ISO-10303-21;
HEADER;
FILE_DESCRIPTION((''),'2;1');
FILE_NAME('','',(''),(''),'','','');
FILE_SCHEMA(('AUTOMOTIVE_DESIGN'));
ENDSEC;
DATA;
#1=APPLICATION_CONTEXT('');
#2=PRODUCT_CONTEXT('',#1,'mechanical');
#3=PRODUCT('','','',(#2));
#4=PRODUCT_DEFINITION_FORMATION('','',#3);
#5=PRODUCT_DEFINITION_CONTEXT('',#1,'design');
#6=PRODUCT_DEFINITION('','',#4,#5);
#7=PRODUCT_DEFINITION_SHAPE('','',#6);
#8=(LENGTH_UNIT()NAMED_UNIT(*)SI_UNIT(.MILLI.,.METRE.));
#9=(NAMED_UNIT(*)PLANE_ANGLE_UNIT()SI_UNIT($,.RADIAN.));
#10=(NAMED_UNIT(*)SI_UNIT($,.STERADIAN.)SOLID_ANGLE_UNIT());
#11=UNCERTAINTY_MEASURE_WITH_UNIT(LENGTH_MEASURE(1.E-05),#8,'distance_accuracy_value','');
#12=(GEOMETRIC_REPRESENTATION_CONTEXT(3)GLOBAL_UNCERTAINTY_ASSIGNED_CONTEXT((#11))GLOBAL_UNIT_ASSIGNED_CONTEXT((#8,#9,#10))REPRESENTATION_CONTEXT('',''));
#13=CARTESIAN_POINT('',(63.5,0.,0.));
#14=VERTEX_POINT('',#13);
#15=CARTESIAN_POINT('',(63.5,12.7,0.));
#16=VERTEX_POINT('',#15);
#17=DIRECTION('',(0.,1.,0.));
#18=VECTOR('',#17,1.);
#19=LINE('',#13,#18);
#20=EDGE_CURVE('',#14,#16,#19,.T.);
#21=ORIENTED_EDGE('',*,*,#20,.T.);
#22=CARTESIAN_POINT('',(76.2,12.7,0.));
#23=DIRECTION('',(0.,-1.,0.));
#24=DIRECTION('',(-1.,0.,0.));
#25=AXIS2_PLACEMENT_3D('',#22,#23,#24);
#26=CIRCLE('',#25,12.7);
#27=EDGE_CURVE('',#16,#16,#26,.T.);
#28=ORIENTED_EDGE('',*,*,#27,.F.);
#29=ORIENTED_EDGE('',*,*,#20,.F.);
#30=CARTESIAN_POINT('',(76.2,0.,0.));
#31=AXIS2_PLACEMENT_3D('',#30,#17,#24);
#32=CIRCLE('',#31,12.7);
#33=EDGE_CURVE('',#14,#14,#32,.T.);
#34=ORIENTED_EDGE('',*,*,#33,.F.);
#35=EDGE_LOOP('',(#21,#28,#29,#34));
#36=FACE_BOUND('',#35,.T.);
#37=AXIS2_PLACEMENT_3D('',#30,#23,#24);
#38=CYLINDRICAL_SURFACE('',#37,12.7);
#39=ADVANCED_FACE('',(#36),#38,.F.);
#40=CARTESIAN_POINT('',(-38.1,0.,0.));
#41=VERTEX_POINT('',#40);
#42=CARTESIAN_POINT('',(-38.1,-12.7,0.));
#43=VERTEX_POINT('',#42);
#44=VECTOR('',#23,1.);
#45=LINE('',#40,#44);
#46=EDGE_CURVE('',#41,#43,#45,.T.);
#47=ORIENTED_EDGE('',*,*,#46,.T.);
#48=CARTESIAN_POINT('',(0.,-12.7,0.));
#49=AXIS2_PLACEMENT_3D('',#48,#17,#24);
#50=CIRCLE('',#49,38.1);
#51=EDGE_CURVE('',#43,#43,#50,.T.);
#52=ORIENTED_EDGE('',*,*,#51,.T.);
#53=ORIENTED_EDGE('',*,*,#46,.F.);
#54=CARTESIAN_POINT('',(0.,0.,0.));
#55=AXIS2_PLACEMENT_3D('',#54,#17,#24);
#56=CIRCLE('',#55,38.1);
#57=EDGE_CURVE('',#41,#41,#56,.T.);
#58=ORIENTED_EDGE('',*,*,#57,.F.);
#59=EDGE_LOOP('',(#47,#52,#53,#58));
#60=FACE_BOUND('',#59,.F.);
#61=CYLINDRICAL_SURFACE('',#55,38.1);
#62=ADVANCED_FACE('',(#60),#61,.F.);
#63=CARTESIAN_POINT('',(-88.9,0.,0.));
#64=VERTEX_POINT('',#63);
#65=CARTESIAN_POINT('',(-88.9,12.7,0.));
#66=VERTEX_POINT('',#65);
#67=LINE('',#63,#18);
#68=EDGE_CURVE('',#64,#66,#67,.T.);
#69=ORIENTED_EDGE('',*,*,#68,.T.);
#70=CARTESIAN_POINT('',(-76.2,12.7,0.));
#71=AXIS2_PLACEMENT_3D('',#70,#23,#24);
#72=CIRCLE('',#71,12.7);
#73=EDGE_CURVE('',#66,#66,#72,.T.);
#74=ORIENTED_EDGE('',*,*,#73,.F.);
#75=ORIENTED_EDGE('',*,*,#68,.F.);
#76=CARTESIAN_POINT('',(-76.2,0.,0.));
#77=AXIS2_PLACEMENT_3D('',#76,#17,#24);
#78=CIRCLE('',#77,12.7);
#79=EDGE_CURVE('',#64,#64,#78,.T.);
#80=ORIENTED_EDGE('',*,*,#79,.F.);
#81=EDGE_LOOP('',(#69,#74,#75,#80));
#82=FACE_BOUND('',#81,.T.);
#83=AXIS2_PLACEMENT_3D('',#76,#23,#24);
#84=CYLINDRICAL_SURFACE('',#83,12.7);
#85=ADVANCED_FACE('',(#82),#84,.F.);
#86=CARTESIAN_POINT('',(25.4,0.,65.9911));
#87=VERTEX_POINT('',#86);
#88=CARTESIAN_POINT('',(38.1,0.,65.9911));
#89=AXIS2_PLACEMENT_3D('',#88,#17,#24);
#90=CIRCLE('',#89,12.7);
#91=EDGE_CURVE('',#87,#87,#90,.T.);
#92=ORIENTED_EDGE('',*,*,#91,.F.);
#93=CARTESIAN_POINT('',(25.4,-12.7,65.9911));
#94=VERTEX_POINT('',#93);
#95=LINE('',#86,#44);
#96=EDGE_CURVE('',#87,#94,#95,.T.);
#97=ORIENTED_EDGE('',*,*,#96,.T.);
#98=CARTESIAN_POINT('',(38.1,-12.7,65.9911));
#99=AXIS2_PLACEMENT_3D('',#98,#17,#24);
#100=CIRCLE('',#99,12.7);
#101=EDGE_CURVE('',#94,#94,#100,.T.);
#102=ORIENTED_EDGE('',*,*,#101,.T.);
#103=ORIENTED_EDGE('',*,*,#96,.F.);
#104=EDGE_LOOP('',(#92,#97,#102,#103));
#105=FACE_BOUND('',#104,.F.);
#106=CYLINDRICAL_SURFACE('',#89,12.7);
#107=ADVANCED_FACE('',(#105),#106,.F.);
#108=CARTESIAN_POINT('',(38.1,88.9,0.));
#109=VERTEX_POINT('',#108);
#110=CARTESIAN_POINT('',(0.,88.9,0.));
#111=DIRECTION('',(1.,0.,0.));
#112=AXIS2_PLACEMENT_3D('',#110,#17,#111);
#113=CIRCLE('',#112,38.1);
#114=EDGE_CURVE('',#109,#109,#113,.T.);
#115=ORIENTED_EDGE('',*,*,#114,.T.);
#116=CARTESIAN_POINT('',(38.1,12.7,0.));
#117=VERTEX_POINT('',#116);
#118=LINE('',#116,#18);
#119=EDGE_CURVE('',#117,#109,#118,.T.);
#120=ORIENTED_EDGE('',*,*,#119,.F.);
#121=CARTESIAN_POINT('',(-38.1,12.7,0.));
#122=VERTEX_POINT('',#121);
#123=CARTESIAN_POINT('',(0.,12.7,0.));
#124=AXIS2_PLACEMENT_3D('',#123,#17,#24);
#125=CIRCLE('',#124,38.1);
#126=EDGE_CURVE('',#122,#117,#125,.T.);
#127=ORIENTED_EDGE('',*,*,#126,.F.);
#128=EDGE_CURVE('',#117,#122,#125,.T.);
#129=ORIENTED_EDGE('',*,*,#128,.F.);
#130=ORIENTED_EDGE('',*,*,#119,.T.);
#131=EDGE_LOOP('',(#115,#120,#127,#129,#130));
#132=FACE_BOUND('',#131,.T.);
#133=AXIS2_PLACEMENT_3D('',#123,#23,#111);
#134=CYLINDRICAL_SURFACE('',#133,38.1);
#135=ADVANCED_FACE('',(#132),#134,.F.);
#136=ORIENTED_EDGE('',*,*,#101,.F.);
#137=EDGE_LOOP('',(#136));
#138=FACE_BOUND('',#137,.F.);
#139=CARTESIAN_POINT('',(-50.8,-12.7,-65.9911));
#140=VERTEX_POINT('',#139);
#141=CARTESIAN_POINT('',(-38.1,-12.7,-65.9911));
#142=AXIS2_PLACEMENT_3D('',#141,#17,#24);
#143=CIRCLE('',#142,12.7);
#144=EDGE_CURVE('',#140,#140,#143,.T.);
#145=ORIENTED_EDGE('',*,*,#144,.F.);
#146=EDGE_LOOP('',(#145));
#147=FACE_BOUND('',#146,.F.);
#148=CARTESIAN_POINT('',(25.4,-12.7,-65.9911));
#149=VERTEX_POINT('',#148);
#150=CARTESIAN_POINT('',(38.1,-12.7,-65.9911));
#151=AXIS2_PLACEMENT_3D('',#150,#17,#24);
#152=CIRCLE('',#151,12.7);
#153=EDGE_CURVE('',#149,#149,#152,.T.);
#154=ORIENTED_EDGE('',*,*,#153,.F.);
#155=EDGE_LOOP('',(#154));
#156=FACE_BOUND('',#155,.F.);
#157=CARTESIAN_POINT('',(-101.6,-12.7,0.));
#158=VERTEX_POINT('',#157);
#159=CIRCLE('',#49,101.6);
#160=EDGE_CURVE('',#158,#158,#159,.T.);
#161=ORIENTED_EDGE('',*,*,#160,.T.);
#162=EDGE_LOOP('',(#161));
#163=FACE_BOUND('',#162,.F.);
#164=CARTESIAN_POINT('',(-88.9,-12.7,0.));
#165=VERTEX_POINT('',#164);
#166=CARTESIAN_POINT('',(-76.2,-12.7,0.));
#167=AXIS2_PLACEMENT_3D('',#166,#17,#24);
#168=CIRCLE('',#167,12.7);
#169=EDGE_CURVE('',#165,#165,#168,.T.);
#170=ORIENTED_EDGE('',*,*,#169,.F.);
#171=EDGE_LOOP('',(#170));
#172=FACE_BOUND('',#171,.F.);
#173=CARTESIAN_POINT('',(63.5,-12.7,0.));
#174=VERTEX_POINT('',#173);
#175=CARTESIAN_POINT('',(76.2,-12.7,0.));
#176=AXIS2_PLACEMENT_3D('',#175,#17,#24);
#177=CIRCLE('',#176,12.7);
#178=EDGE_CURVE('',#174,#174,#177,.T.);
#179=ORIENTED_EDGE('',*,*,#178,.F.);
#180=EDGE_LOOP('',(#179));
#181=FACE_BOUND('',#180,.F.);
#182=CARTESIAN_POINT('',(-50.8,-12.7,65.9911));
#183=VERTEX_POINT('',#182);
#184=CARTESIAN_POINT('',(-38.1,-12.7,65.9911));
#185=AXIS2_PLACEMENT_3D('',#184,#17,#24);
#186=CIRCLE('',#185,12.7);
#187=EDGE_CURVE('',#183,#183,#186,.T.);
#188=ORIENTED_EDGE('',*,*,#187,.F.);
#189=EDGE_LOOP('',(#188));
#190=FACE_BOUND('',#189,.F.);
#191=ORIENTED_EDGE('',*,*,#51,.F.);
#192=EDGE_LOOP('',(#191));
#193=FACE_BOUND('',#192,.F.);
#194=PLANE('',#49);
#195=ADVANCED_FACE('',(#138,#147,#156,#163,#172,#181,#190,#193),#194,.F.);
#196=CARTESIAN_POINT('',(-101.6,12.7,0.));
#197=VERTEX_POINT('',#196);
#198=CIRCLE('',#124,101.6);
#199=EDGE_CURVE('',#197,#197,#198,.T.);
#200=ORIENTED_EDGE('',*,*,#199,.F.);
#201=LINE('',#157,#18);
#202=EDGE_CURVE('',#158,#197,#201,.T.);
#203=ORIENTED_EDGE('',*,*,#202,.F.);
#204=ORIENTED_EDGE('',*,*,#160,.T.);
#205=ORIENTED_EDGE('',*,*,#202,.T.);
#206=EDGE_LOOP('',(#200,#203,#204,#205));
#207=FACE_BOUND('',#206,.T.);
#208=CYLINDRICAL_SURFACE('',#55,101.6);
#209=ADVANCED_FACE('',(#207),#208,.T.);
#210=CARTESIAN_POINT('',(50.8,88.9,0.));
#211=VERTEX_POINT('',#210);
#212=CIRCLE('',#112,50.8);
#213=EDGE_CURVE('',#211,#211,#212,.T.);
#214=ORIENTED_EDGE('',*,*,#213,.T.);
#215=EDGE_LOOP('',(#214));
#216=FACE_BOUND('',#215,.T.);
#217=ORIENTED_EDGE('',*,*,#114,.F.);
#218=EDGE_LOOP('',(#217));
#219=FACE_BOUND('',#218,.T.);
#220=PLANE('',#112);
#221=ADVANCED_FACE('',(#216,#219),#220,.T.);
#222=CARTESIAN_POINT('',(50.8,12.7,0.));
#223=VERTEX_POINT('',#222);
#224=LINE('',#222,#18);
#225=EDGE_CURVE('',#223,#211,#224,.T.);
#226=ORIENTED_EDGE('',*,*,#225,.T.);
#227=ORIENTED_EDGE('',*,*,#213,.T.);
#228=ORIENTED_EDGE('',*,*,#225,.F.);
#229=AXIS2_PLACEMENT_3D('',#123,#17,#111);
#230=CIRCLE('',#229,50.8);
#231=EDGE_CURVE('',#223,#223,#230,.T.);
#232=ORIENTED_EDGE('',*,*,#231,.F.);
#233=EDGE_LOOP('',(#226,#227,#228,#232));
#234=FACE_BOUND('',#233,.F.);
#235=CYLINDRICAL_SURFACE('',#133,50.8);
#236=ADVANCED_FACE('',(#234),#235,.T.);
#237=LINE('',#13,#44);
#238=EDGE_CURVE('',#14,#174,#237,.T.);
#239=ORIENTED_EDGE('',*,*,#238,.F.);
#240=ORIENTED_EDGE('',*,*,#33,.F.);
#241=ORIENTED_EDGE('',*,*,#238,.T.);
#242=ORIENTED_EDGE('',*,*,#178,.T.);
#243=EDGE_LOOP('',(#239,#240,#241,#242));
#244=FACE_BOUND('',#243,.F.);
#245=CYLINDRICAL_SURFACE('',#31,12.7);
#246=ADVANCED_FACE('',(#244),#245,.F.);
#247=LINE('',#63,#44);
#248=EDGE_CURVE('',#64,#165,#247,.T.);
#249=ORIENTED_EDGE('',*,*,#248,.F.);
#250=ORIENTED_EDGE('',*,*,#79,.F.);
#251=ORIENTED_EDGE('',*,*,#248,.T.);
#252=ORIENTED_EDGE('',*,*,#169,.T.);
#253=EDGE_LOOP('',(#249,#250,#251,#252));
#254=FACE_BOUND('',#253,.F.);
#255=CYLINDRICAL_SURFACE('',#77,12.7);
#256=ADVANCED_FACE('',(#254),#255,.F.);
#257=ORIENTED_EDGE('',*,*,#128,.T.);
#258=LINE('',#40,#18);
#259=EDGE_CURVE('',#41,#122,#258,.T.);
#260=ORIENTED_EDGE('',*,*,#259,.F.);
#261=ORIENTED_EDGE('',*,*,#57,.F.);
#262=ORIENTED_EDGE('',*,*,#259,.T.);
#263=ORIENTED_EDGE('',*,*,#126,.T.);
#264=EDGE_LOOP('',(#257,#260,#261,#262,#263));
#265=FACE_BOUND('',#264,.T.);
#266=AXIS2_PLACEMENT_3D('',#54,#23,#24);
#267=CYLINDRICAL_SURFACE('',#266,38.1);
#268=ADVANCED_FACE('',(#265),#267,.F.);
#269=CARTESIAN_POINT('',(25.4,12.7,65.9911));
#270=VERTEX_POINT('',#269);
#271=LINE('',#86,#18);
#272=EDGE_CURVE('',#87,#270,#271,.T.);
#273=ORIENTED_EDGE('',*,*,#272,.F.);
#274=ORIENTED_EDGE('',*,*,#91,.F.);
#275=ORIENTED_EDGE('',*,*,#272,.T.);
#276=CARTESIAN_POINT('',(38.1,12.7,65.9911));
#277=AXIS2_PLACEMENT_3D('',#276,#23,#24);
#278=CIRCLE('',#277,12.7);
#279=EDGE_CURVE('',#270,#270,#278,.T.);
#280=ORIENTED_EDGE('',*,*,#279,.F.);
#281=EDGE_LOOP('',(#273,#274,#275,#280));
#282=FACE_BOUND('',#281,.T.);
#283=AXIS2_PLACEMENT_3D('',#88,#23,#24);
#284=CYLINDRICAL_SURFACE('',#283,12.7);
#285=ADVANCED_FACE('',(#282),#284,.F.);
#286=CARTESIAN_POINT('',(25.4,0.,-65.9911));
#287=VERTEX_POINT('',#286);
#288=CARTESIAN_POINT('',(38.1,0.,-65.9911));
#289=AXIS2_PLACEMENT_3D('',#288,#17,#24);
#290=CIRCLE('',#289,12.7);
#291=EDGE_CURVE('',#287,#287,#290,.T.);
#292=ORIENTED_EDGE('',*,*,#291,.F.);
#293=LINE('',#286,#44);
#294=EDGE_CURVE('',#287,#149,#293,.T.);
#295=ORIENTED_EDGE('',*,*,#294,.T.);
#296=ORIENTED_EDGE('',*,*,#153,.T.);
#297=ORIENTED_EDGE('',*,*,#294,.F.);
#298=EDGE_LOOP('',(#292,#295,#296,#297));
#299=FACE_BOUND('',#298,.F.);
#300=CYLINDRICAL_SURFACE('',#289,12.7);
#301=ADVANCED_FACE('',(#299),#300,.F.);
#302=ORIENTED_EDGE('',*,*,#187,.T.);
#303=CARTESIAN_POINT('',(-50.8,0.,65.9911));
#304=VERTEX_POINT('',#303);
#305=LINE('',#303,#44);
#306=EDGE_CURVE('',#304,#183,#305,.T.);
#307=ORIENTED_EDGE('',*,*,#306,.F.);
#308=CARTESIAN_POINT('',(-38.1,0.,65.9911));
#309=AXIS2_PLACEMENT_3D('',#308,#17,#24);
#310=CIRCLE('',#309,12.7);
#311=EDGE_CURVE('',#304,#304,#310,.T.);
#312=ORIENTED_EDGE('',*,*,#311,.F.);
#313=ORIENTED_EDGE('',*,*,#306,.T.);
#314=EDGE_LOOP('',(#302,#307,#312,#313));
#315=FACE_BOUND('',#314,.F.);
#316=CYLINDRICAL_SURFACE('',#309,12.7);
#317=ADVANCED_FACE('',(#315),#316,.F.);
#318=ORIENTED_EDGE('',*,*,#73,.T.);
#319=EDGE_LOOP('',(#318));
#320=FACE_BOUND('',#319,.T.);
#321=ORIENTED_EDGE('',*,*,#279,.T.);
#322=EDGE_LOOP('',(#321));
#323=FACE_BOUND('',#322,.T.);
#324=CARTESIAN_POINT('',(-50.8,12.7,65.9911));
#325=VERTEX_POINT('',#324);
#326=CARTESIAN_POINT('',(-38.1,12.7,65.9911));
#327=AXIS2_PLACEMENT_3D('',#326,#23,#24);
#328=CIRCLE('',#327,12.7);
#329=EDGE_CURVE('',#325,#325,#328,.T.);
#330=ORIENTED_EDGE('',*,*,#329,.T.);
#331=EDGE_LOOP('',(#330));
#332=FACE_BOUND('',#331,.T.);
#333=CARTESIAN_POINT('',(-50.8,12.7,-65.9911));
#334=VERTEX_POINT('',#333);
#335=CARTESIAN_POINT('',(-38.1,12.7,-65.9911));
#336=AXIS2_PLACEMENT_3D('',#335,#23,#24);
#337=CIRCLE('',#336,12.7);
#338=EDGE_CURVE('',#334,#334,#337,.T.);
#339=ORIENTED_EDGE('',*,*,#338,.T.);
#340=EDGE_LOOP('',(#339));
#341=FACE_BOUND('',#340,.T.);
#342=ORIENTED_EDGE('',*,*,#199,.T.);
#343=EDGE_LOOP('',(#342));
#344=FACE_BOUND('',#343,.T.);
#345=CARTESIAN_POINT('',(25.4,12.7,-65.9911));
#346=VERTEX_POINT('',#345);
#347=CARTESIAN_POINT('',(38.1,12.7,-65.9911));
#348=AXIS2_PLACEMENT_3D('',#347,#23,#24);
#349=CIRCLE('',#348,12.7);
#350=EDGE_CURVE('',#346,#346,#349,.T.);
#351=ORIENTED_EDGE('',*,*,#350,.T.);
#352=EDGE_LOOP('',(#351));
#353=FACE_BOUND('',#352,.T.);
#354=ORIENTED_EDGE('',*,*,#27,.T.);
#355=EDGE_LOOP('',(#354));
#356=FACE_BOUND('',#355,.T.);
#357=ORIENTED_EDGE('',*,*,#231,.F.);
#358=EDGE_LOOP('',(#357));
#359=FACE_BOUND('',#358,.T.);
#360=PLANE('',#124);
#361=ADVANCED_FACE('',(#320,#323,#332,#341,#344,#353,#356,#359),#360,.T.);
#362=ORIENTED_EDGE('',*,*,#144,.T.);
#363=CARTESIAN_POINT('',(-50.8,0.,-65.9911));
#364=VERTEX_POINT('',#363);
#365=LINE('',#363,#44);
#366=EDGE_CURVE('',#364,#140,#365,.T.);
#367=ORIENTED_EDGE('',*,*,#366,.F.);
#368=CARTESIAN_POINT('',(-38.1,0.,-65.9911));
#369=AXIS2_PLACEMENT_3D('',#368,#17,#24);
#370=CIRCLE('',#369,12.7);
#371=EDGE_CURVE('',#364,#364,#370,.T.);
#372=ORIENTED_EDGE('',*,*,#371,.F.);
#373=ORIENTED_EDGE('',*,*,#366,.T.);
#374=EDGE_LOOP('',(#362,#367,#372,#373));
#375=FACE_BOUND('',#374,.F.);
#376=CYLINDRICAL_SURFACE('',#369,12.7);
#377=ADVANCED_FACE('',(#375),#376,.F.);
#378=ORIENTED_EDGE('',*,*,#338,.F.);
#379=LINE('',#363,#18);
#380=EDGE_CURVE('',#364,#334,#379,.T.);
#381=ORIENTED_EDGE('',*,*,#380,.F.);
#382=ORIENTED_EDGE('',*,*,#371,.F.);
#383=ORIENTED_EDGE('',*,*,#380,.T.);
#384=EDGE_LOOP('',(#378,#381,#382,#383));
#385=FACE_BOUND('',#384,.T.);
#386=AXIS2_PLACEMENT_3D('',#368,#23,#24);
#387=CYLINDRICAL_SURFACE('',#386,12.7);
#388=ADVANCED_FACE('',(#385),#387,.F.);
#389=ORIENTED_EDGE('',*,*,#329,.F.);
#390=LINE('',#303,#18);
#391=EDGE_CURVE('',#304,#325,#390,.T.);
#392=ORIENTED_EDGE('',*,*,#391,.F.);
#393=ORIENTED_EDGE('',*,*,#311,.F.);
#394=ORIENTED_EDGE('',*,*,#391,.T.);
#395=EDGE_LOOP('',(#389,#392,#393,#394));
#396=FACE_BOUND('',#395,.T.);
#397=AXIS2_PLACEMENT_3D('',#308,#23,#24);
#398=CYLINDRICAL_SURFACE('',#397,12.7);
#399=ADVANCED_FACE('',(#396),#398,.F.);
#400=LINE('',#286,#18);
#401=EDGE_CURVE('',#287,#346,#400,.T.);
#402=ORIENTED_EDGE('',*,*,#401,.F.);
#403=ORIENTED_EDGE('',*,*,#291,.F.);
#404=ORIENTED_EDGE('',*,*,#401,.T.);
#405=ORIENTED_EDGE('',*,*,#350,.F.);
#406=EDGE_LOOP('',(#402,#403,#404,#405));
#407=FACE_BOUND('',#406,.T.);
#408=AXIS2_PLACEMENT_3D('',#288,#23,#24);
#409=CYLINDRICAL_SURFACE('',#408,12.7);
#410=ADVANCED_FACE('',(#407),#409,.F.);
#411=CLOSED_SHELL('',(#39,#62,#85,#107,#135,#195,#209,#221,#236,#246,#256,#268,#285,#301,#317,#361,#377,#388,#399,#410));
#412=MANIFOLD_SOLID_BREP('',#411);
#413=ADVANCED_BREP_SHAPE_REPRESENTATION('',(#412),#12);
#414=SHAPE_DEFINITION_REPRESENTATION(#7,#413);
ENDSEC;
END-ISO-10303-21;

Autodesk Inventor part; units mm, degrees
ref_plane "YZ Plane" through (0, 0, 0) normal (1, 0, 0) x (0, 1, 0)
ref_plane "XZ Plane" through (0, 0, 0) normal (0, 1, 0) x (-1, 0, 0)
ref_plane "XY Plane" through (0, 0, 0) normal (0, 0, 1) x (1, 0, 0)
sketch "Sketch1" plane through (0, 0, 0) normal (0, 1, 0) x (-1, 0, 0)
  circle A0 centre (0, 0) radius 101.6
  circle A1 centre (0, 0) radius 76.2
  circle A2 centre (76.2, 0) radius 12.7
  circle A3 centre (38.1, 65.9911) radius 12.7
  circle A4 centre (-38.1, 65.9911) radius 12.7
  circle A5 centre (-76.2, 0) radius 12.7
  circle A6 centre (-38.1, -65.9911) radius 12.7
  circle A7 centre (38.1, -65.9911) radius 12.7
  circle A8 centre (0, 0) radius 38.1
  dimension "d1" = 152.4
  dimension "d0" = 203.2
  dimension "d2" = 25.4
  dimension "d5" = 360
  dimension "d7" = 76.2
extrude "Extrusion1" add sketch "Sketch1" along normal mid plane 25.4 contours A0 | A2 A1 A7 A6 A5 A4 A3
sketch "Sketch2" plane through (0, 12.7, 0) normal (0, 1, 0) x (1, 0, 0)
  circle A0 centre (0, 0) radius 38.1 projected
  circle A1 centre (0, 0) radius 50.8
  dimension "d10" = 101.6
extrude "Extrusion2" add sketch "Sketch2" along normal blind 76.2
properties part number "Leo-Berman-Section-Part-3"
